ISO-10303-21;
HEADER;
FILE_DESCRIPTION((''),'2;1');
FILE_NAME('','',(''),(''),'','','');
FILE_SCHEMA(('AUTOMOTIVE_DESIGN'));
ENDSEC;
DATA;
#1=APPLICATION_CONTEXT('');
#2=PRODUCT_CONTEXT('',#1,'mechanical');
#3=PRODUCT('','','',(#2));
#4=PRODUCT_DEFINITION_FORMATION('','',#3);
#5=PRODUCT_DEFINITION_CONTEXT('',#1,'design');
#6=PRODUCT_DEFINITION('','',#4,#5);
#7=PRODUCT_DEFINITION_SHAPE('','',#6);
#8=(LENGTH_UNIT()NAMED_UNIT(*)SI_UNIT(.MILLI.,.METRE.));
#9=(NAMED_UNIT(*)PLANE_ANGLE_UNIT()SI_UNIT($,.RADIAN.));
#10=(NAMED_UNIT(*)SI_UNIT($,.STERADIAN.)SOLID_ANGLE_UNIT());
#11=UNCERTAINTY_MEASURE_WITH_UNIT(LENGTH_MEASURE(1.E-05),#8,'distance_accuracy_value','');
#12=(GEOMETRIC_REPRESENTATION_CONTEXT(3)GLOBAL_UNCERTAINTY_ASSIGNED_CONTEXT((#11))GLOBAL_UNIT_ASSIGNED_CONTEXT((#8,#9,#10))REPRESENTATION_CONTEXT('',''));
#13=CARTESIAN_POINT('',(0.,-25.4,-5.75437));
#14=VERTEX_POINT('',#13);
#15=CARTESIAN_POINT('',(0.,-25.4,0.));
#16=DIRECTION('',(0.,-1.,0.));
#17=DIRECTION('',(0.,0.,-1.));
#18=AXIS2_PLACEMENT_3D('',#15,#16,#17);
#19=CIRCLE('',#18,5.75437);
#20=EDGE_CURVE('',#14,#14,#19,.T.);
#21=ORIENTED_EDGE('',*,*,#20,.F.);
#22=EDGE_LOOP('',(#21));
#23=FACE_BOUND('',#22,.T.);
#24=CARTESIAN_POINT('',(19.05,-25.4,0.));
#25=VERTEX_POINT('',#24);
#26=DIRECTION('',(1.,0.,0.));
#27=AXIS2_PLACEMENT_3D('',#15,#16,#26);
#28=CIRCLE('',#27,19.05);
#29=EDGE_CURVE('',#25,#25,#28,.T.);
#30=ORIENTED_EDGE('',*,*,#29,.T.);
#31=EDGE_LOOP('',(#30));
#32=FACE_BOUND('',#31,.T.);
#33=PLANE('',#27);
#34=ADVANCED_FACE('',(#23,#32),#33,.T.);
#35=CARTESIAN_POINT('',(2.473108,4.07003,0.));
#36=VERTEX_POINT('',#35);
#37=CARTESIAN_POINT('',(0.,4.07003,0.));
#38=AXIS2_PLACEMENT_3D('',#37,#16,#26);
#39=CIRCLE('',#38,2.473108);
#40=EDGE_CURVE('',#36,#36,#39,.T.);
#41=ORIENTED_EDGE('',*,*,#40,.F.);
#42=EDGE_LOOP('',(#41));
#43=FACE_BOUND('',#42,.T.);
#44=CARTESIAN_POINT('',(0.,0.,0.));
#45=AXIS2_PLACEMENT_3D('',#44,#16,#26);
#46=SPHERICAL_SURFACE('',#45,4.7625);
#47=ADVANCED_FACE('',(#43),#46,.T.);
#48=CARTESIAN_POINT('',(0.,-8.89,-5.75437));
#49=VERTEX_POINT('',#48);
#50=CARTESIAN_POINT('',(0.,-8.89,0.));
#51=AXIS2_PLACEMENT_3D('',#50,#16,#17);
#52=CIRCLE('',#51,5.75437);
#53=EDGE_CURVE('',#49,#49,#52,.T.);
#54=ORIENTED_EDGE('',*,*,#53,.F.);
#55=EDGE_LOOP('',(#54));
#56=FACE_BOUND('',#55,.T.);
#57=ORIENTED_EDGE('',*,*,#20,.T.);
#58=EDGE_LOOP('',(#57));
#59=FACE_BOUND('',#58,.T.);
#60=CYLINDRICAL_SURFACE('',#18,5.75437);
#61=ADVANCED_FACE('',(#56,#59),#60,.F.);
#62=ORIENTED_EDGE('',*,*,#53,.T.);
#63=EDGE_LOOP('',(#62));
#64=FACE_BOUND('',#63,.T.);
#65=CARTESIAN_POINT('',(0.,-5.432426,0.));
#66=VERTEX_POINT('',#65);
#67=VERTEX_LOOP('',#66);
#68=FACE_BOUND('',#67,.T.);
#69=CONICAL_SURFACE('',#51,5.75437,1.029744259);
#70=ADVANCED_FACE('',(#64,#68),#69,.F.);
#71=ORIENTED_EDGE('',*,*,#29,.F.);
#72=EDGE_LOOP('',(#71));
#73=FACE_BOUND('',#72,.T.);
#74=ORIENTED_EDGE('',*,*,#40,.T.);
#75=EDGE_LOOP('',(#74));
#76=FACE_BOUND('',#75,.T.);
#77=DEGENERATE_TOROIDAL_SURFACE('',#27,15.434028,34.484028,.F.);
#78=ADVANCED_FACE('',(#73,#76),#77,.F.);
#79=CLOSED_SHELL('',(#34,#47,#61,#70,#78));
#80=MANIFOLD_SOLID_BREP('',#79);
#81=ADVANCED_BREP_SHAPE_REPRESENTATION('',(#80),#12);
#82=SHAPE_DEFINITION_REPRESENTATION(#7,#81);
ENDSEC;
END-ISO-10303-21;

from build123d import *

# Parameters (mm, degrees)
F_1_2_20_TAPPED_HOLE1_D     = 11.50874
F_1_2_20_TAPPED_HOLE1_DEPTH = 16.51
F_1_2_20_TAPPED_HOLE1_TIP   = 3.45757432


with BuildPart() as part:
    # Sketch1 → Revolve3 (revolve)
    with BuildSketch(Plane.XY):
        with BuildLine():
            Line((0, -25.4), (19.05, -25.4))
            ThreePointArc((19.05, -25.4), (14.621407255, -8.493817794), (2.473108309, 4.070029674))
            ThreePointArc((2.473108309, 4.070029674), (1.28411252, 4.586116144), (0, 4.7625))
            Line((0, 4.7625), (0, -25.4))
        make_face()
    revolve(axis=Axis((0, -25.4, 0), (0, 1, 0)))

    # 1/2-20 Tapped Hole1
    with Locations(Plane(origin=(0, -25.4, 0), x_dir=(-1, 0, 0), z_dir=(0, -1, 0))):
        with Locations((0, 0)):
            Hole(F_1_2_20_TAPPED_HOLE1_D / 2, depth=F_1_2_20_TAPPED_HOLE1_DEPTH)
            with Locations((0, 0, -(F_1_2_20_TAPPED_HOLE1_DEPTH + F_1_2_20_TAPPED_HOLE1_TIP / 2))):  # 118° drill point
                Cone(0, F_1_2_20_TAPPED_HOLE1_D / 2, F_1_2_20_TAPPED_HOLE1_TIP, mode=Mode.SUBTRACT)


solid = part.part
